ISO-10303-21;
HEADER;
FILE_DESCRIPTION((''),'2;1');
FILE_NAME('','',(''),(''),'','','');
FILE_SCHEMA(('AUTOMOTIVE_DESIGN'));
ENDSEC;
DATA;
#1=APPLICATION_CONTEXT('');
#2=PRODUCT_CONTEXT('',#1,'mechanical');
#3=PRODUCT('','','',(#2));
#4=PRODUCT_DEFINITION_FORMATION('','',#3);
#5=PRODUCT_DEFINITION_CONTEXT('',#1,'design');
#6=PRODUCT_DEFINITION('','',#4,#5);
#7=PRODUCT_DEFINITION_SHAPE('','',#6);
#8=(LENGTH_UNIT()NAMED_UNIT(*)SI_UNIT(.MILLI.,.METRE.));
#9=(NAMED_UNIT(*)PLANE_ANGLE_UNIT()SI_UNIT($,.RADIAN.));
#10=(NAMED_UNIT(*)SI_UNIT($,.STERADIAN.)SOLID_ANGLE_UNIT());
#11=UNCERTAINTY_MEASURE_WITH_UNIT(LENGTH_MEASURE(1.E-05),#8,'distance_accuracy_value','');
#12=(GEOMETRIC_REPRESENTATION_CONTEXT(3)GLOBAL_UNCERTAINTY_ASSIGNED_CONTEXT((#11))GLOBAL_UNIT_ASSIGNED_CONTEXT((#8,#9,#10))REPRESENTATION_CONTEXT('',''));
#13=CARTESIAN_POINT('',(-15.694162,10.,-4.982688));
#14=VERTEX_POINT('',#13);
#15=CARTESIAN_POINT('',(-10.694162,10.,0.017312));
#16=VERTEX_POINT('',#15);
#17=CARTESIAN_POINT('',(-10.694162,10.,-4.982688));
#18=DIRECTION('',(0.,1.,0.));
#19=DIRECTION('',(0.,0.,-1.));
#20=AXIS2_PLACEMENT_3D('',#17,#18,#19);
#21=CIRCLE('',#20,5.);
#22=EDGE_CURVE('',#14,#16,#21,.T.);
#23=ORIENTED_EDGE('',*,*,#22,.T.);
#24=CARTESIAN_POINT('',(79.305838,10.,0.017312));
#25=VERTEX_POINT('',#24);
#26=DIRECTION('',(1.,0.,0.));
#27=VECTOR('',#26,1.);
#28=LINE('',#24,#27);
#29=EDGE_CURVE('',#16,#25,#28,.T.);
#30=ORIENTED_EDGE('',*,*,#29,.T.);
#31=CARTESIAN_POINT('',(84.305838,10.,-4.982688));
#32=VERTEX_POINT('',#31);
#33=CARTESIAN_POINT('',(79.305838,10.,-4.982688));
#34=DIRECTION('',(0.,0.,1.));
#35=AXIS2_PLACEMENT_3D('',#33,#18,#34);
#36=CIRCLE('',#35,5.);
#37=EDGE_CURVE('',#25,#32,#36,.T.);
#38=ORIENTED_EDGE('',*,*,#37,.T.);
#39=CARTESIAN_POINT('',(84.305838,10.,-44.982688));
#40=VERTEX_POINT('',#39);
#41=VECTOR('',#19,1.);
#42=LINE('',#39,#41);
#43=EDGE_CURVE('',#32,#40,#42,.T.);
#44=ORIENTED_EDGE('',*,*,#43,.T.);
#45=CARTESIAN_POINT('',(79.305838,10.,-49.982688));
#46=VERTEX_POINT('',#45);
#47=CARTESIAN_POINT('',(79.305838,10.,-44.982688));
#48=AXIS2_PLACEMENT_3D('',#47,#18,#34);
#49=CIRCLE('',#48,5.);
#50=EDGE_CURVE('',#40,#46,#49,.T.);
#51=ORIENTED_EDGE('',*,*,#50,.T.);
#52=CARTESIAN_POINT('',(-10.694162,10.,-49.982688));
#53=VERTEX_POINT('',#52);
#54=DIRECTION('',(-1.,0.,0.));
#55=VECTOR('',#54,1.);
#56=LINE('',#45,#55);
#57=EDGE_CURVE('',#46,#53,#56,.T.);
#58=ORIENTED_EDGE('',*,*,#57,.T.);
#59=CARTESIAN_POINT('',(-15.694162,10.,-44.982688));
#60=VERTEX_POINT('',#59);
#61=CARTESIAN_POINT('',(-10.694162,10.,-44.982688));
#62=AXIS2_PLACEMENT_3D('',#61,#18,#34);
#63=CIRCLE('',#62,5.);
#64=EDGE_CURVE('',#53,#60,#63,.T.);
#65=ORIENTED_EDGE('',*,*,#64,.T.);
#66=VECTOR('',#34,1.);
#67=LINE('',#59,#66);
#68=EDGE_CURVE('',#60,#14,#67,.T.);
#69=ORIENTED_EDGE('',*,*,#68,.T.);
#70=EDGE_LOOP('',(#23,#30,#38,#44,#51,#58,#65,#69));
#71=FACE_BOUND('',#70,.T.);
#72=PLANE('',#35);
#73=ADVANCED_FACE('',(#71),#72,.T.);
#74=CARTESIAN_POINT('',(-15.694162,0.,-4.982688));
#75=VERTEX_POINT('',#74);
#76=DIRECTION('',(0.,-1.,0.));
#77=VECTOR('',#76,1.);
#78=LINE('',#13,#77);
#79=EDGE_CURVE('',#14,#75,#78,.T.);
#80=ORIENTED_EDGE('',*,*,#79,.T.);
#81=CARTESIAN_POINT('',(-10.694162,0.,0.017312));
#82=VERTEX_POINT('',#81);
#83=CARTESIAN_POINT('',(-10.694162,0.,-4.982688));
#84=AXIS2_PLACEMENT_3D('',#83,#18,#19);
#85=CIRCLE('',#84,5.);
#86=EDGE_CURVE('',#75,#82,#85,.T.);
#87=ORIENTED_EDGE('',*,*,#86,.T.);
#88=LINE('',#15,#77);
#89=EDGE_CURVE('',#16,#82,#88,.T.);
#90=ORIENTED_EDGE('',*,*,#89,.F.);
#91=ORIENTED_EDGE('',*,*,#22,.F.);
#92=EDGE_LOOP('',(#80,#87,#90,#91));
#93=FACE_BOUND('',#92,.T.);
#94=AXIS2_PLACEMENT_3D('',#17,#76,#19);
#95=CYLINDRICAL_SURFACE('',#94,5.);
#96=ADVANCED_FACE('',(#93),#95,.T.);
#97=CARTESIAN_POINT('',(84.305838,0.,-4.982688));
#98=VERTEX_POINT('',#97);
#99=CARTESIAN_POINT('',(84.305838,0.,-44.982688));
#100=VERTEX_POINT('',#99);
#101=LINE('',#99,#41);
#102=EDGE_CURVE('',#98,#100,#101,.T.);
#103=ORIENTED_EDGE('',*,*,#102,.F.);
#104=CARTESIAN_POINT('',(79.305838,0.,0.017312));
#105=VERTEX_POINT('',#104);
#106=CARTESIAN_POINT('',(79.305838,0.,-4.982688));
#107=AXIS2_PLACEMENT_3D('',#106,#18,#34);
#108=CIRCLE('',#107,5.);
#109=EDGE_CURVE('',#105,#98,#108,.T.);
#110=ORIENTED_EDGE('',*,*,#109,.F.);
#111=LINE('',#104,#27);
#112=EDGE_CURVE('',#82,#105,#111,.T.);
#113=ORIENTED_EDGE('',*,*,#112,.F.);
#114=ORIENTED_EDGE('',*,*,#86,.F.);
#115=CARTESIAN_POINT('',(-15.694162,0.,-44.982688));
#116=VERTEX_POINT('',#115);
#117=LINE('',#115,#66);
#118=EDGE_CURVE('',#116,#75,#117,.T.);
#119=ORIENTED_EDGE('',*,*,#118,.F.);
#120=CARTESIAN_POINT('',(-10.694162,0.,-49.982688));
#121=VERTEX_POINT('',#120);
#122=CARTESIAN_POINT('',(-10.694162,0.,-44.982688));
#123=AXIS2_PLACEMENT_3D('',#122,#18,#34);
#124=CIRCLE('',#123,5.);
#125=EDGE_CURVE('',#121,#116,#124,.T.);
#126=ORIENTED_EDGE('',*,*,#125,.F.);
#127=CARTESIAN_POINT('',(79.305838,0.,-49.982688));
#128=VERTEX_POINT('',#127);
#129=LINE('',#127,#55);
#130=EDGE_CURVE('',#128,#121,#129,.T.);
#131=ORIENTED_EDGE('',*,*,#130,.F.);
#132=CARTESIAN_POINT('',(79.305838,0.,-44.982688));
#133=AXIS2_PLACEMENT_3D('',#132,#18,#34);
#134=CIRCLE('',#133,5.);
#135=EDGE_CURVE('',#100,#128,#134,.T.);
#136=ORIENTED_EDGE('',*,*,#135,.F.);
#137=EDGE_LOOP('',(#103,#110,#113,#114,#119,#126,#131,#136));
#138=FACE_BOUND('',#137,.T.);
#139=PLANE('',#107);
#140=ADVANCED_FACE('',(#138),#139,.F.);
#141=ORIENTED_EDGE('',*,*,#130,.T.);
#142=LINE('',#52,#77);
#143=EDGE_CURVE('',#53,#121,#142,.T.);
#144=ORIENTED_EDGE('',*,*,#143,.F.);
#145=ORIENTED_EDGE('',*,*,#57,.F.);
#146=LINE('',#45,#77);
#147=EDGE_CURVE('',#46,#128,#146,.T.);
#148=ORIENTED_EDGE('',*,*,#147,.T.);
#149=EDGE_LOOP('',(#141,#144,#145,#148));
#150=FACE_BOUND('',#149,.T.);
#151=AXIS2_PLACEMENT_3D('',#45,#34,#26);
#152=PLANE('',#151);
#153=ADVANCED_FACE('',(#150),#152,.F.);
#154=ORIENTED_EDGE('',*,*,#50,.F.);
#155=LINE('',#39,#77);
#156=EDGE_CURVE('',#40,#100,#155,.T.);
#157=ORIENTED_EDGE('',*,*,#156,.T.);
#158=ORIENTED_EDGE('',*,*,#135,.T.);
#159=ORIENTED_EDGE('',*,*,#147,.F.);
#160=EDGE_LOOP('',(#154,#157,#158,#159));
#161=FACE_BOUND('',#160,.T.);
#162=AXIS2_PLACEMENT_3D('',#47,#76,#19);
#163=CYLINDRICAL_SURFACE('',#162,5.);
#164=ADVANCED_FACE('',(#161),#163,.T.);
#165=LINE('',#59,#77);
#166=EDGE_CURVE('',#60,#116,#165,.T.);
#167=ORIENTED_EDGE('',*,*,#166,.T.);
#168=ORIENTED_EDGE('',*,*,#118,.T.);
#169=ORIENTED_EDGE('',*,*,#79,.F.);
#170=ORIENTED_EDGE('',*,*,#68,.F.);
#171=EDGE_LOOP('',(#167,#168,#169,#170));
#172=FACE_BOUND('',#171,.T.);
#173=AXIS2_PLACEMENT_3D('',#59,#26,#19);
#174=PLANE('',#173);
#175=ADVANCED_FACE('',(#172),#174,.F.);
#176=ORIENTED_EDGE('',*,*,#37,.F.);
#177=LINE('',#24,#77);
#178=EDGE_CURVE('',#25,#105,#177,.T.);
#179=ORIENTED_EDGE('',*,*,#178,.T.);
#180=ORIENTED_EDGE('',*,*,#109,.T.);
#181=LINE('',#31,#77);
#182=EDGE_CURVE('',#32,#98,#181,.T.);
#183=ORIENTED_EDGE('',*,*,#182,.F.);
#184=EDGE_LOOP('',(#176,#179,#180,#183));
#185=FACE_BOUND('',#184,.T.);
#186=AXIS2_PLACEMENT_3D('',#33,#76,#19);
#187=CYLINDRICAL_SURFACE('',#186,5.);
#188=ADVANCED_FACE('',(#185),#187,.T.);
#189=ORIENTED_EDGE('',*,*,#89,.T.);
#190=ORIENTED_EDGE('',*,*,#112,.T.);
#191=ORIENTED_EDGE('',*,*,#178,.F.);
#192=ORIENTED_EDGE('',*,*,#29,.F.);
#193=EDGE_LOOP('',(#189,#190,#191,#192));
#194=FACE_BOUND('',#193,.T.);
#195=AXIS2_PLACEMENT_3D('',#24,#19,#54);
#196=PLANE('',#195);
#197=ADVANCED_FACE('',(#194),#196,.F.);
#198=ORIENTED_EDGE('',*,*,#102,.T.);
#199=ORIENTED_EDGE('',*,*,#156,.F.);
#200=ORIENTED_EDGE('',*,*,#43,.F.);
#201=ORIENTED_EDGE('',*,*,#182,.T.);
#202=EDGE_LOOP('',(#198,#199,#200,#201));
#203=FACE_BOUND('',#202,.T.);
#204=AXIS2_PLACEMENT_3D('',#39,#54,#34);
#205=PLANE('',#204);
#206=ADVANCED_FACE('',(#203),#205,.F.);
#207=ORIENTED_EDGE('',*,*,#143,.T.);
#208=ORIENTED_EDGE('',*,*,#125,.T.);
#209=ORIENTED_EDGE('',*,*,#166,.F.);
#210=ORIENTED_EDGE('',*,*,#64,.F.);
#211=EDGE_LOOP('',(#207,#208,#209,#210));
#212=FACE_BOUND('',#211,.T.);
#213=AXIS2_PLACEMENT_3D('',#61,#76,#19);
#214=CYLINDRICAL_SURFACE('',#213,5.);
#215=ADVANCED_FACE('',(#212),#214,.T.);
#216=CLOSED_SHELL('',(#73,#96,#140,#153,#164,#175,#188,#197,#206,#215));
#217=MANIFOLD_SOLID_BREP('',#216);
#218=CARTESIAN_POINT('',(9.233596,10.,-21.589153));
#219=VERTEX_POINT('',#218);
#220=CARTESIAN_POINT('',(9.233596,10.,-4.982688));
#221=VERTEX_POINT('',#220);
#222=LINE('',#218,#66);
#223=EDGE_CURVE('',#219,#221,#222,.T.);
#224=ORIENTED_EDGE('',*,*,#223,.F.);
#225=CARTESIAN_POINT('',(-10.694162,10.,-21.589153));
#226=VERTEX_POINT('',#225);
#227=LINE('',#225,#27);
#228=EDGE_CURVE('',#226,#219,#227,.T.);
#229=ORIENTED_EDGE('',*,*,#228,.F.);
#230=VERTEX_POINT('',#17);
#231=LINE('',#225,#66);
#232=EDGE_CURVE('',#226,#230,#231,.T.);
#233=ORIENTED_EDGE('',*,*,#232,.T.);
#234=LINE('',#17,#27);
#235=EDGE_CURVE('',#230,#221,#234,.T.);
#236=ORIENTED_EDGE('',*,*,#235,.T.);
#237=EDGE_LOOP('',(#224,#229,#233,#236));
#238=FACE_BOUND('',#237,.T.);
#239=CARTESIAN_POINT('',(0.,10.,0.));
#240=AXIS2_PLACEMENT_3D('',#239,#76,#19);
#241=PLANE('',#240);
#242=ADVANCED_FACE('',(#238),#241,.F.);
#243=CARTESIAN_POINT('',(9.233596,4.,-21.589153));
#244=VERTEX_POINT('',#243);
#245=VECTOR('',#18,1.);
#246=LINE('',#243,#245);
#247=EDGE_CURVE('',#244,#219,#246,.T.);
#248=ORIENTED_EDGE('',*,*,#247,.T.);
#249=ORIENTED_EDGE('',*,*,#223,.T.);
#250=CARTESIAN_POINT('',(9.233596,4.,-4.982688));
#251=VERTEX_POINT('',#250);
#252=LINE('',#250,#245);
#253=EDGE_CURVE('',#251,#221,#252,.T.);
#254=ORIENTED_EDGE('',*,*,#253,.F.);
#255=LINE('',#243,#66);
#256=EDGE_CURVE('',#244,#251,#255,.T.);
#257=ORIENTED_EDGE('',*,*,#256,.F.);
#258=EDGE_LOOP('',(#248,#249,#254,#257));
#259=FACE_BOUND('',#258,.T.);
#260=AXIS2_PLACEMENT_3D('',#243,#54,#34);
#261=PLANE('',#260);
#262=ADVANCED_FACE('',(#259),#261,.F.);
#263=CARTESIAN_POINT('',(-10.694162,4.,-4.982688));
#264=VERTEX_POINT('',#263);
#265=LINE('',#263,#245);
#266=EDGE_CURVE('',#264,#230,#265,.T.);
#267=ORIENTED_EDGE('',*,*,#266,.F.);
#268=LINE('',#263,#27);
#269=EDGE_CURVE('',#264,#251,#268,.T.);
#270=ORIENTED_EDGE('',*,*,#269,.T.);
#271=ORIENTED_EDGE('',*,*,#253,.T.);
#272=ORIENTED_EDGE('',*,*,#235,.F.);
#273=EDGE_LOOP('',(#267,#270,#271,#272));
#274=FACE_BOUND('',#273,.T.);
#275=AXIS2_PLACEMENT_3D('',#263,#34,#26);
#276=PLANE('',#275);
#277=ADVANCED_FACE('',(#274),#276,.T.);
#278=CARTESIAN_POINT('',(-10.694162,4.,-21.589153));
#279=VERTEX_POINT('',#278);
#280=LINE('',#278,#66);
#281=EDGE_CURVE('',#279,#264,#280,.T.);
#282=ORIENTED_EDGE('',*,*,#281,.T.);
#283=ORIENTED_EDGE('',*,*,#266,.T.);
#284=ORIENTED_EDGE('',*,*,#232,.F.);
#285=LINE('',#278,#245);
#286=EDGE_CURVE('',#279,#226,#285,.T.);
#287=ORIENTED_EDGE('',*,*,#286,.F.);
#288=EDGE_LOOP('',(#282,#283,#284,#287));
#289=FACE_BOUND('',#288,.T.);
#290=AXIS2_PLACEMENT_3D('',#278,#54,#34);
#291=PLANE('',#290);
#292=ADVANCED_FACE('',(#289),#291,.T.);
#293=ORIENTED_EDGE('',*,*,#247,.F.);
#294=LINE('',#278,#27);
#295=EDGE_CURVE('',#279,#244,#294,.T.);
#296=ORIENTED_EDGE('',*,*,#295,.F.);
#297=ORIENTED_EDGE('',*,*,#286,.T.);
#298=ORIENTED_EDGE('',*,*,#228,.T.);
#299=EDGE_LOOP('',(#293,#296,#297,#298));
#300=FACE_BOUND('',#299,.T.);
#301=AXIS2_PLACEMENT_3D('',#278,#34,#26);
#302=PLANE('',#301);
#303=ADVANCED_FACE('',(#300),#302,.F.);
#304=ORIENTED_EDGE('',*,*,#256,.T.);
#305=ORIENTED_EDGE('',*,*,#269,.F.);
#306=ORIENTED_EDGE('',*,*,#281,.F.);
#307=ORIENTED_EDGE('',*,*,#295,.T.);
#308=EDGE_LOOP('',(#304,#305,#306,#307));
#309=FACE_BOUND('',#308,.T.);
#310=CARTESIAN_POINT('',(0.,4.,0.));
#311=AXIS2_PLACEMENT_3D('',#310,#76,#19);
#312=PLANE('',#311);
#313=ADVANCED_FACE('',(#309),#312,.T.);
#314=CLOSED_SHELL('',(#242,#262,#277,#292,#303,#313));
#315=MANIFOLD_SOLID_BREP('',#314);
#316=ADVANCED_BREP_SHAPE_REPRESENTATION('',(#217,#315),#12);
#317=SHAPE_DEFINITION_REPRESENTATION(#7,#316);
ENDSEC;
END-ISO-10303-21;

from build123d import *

# Parameters (mm, degrees)
BOSS_EXTRUDE1_DEPTH = 10
SKETCH2_W           = 19.927758229
SKETCH2_H           = 16.606465191
BOSS_EXTRUDE2_DEPTH = 6


with BuildPart() as part:
    # Sketch1 → Boss-Extrude1 (new body)
    with BuildSketch(Plane(origin=(0, 0, 0), x_dir=(1, 0, 0), z_dir=(0, 1, 0))):
        with BuildLine():
            Line((79.305838263, 49.982687997), (-10.694161737, 49.982687997))
            ThreePointArc((-10.694161737, 49.982687997), (-14.229695643, 48.518221903), (-15.694161737, 44.982687997))
            Line((-15.694161737, 44.982687997), (-15.694161737, 4.982687997))
            ThreePointArc((-15.694161737, 4.982687997), (-14.229695643, 1.447154091), (-10.694161737, -0.017312003))
            Line((-10.694161737, -0.017312003), (79.305838263, -0.017312003))
            ThreePointArc((79.305838263, -0.017312003), (82.841372169, 1.447154091), (84.305838263, 4.982687997))
            Line((84.305838263, 4.982687997), (84.305838263, 44.982687997))
            ThreePointArc((84.305838263, 44.982687997), (82.841372169, 48.518221903), (79.305838263, 49.982687997))
        make_face()
    extrude(amount=BOSS_EXTRUDE1_DEPTH)


with BuildPart() as body_2:
    # Sketch2 → Boss-Extrude2 (new body)
    with BuildSketch(Plane(origin=(0, 10, 0), x_dir=(1, 0, 0), z_dir=(0, 1, 0))):
        with Locations((-0.730282622, 13.285920593)):
            Rectangle(SKETCH2_W, SKETCH2_H)
    extrude(amount=-BOSS_EXTRUDE2_DEPTH)


solid = Compound([part.part, body_2.part])
